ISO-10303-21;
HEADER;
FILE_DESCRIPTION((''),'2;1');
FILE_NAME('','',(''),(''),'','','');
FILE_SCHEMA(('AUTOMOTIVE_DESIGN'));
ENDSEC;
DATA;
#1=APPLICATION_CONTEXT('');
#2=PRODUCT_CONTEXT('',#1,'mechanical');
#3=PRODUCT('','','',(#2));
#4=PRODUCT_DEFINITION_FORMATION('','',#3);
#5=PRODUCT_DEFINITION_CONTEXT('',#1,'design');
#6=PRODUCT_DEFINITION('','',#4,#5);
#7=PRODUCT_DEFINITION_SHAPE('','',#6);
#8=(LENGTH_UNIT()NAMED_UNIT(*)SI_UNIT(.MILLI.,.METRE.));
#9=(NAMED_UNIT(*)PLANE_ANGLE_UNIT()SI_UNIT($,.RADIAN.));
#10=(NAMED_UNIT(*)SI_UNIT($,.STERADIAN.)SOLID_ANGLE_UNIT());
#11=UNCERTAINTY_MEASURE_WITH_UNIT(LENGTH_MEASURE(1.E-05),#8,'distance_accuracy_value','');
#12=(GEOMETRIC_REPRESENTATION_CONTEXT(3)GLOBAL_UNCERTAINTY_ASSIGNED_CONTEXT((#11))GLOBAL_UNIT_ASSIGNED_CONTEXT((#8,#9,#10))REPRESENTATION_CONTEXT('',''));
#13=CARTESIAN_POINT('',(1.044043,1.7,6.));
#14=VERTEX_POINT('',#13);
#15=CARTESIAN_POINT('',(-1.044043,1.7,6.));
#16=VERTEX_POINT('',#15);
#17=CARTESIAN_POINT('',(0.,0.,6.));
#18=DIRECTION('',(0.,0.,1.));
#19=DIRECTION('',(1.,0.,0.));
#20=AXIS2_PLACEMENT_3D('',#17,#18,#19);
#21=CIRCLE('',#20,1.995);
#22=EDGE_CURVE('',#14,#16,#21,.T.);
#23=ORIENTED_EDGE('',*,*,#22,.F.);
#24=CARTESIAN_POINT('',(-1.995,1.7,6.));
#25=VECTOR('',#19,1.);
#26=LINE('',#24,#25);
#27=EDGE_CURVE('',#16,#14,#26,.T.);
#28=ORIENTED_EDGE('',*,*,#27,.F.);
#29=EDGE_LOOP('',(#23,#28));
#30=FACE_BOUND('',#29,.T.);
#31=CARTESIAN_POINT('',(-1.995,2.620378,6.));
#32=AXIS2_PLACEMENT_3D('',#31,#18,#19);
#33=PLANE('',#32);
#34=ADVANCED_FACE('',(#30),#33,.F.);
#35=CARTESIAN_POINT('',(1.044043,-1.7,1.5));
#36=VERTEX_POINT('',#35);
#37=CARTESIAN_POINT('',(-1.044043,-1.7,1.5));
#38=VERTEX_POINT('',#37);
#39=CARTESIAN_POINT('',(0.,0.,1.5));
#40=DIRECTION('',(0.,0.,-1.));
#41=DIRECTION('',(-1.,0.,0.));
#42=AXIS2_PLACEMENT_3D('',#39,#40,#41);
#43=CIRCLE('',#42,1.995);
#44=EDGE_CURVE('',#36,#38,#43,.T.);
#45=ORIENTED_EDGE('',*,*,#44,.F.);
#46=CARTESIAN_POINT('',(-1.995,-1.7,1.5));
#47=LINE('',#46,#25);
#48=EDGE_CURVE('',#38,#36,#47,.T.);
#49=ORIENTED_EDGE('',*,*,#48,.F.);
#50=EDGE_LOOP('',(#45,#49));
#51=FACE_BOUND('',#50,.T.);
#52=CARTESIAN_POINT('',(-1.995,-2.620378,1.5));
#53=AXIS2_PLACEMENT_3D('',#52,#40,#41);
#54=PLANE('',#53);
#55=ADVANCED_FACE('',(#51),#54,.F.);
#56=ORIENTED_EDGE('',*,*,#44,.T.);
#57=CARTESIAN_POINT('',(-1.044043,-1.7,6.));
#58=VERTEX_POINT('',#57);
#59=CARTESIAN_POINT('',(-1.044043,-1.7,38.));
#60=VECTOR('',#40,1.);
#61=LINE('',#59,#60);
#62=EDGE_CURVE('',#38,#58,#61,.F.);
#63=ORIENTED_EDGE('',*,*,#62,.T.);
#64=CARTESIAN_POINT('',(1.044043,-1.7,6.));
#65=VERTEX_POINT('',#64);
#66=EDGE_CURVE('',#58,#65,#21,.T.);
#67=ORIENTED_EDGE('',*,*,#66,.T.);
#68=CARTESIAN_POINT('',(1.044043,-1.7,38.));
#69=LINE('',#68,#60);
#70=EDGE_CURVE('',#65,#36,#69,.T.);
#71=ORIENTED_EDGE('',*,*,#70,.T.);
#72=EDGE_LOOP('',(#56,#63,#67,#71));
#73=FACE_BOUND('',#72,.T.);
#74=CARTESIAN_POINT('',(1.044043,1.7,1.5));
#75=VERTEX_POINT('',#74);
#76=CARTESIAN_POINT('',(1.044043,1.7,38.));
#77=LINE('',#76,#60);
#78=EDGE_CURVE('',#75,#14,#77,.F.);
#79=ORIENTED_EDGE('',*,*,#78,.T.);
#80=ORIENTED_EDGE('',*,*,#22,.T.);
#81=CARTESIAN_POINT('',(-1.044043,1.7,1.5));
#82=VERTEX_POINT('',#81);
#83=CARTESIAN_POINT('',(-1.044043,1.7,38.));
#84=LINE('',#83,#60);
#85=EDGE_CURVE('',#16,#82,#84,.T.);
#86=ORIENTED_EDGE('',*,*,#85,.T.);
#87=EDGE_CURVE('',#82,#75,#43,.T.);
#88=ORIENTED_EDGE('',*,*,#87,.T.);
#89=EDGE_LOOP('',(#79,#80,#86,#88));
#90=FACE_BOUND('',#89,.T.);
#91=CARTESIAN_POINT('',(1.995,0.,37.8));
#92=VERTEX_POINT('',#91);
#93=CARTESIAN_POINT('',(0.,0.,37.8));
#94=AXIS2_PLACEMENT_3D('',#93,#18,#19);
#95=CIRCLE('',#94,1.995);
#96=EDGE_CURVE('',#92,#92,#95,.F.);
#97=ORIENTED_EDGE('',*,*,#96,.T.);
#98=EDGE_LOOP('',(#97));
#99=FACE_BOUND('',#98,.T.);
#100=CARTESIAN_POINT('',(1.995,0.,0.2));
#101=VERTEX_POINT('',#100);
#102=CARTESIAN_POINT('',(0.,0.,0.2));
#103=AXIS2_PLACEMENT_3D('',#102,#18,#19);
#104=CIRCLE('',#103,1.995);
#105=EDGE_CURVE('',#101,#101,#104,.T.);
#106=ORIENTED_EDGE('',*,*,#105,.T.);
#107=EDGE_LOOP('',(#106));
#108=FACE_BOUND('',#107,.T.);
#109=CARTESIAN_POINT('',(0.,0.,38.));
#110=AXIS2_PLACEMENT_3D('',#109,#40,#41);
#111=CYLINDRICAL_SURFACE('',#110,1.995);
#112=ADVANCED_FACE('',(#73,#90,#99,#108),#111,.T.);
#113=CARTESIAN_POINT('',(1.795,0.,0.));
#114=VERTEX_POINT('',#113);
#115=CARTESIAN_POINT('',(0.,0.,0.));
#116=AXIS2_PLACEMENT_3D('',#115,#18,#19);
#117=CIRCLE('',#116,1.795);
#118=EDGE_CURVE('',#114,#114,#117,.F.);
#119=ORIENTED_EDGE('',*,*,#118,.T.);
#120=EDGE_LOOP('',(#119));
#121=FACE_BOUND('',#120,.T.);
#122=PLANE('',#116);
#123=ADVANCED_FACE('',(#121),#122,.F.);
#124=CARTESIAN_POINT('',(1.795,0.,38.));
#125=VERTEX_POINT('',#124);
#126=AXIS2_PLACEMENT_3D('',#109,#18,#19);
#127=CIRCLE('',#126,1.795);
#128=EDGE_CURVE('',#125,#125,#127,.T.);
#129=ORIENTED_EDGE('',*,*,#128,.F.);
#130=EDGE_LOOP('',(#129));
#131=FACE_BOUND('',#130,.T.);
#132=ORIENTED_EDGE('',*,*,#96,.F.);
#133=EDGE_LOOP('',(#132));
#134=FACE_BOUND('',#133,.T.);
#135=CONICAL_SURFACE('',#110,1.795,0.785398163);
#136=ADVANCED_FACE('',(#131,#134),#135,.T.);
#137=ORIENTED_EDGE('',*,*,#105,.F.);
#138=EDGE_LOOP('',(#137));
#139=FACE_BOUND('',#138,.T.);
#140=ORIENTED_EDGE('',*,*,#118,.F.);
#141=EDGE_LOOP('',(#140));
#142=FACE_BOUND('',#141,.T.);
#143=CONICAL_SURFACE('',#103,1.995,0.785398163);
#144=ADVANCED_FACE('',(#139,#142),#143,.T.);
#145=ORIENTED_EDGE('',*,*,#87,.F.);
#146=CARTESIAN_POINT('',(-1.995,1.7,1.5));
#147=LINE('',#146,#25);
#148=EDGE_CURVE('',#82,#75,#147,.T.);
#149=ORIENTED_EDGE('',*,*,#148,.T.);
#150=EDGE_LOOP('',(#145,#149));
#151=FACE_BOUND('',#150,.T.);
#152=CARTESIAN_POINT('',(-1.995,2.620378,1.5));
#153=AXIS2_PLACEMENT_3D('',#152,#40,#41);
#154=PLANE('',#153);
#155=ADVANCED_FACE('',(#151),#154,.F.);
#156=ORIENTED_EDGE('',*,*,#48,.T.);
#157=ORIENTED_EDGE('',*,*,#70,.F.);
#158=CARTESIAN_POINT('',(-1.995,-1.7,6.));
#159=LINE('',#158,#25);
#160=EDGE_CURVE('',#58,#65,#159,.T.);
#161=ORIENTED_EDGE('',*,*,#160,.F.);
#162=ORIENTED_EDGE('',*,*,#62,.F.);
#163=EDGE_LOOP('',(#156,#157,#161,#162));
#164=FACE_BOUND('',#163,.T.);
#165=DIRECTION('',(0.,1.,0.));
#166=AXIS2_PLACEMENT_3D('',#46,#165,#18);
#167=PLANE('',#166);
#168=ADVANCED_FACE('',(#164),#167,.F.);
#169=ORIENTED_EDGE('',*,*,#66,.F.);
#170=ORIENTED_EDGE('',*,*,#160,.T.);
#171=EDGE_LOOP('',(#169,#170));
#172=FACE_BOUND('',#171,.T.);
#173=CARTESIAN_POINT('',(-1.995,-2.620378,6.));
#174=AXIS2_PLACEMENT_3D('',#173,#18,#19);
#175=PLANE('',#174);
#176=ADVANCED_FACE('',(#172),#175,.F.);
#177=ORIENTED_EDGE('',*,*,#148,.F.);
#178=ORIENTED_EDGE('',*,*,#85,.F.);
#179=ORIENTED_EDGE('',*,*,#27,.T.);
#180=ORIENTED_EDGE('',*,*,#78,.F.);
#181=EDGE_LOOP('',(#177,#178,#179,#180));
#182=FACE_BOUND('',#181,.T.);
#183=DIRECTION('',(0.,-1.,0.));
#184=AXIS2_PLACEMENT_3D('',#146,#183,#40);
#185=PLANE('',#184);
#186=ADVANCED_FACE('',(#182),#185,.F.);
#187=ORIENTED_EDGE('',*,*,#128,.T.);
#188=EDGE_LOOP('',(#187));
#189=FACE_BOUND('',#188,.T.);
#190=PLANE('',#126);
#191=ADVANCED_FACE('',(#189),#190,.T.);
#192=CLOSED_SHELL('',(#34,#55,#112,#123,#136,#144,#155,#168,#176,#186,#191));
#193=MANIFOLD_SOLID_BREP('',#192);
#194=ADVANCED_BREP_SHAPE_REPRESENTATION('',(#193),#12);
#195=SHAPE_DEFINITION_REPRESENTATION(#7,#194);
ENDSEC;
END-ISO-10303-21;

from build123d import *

# Parameters (mm, degrees)
SKETCH1_R               = 1.995
BOSS_EXTRUDE1_DEPTH     = 38
SKETCH2_W               = 4.5
SKETCH2_H               = 0.920377874
CUT_EXTRUDE1_DEPTH      = 2.995
CUT_EXTRUDE1_DEPTH_BACK = 2.995
CHAMFER1_SIZE           = 0.2


with BuildPart() as part:
    # Sketch1 → Boss-Extrude1 (new body)
    with BuildSketch(Plane.XY):
        Circle(SKETCH1_R)
    extrude(amount=BOSS_EXTRUDE1_DEPTH)

    # Sketch2 → Cut-Extrude1 (cut, two sides)
    with BuildSketch(Plane(origin=(0, 0, 0), x_dir=(0, 0, -1), z_dir=(1, 0, 0))) as cut_extrude1_sk:
        with Locations((-3.75, 2.160188937)):
            Rectangle(SKETCH2_W, SKETCH2_H)
        with Locations((-3.75, -2.160188937)):
            Rectangle(SKETCH2_W, SKETCH2_H)
    extrude(amount=CUT_EXTRUDE1_DEPTH, mode=Mode.SUBTRACT)
    extrude(cut_extrude1_sk.sketch, amount=-CUT_EXTRUDE1_DEPTH_BACK, mode=Mode.SUBTRACT)

    # Chamfer1
    chamfer1_edges = [part.edges().sort_by_distance(p)[0] for p in [
        (-1.995, 0, 0),
        (-1.995, 0, 38),
    ]]
    chamfer(chamfer1_edges, length=CHAMFER1_SIZE)


solid = part.part
